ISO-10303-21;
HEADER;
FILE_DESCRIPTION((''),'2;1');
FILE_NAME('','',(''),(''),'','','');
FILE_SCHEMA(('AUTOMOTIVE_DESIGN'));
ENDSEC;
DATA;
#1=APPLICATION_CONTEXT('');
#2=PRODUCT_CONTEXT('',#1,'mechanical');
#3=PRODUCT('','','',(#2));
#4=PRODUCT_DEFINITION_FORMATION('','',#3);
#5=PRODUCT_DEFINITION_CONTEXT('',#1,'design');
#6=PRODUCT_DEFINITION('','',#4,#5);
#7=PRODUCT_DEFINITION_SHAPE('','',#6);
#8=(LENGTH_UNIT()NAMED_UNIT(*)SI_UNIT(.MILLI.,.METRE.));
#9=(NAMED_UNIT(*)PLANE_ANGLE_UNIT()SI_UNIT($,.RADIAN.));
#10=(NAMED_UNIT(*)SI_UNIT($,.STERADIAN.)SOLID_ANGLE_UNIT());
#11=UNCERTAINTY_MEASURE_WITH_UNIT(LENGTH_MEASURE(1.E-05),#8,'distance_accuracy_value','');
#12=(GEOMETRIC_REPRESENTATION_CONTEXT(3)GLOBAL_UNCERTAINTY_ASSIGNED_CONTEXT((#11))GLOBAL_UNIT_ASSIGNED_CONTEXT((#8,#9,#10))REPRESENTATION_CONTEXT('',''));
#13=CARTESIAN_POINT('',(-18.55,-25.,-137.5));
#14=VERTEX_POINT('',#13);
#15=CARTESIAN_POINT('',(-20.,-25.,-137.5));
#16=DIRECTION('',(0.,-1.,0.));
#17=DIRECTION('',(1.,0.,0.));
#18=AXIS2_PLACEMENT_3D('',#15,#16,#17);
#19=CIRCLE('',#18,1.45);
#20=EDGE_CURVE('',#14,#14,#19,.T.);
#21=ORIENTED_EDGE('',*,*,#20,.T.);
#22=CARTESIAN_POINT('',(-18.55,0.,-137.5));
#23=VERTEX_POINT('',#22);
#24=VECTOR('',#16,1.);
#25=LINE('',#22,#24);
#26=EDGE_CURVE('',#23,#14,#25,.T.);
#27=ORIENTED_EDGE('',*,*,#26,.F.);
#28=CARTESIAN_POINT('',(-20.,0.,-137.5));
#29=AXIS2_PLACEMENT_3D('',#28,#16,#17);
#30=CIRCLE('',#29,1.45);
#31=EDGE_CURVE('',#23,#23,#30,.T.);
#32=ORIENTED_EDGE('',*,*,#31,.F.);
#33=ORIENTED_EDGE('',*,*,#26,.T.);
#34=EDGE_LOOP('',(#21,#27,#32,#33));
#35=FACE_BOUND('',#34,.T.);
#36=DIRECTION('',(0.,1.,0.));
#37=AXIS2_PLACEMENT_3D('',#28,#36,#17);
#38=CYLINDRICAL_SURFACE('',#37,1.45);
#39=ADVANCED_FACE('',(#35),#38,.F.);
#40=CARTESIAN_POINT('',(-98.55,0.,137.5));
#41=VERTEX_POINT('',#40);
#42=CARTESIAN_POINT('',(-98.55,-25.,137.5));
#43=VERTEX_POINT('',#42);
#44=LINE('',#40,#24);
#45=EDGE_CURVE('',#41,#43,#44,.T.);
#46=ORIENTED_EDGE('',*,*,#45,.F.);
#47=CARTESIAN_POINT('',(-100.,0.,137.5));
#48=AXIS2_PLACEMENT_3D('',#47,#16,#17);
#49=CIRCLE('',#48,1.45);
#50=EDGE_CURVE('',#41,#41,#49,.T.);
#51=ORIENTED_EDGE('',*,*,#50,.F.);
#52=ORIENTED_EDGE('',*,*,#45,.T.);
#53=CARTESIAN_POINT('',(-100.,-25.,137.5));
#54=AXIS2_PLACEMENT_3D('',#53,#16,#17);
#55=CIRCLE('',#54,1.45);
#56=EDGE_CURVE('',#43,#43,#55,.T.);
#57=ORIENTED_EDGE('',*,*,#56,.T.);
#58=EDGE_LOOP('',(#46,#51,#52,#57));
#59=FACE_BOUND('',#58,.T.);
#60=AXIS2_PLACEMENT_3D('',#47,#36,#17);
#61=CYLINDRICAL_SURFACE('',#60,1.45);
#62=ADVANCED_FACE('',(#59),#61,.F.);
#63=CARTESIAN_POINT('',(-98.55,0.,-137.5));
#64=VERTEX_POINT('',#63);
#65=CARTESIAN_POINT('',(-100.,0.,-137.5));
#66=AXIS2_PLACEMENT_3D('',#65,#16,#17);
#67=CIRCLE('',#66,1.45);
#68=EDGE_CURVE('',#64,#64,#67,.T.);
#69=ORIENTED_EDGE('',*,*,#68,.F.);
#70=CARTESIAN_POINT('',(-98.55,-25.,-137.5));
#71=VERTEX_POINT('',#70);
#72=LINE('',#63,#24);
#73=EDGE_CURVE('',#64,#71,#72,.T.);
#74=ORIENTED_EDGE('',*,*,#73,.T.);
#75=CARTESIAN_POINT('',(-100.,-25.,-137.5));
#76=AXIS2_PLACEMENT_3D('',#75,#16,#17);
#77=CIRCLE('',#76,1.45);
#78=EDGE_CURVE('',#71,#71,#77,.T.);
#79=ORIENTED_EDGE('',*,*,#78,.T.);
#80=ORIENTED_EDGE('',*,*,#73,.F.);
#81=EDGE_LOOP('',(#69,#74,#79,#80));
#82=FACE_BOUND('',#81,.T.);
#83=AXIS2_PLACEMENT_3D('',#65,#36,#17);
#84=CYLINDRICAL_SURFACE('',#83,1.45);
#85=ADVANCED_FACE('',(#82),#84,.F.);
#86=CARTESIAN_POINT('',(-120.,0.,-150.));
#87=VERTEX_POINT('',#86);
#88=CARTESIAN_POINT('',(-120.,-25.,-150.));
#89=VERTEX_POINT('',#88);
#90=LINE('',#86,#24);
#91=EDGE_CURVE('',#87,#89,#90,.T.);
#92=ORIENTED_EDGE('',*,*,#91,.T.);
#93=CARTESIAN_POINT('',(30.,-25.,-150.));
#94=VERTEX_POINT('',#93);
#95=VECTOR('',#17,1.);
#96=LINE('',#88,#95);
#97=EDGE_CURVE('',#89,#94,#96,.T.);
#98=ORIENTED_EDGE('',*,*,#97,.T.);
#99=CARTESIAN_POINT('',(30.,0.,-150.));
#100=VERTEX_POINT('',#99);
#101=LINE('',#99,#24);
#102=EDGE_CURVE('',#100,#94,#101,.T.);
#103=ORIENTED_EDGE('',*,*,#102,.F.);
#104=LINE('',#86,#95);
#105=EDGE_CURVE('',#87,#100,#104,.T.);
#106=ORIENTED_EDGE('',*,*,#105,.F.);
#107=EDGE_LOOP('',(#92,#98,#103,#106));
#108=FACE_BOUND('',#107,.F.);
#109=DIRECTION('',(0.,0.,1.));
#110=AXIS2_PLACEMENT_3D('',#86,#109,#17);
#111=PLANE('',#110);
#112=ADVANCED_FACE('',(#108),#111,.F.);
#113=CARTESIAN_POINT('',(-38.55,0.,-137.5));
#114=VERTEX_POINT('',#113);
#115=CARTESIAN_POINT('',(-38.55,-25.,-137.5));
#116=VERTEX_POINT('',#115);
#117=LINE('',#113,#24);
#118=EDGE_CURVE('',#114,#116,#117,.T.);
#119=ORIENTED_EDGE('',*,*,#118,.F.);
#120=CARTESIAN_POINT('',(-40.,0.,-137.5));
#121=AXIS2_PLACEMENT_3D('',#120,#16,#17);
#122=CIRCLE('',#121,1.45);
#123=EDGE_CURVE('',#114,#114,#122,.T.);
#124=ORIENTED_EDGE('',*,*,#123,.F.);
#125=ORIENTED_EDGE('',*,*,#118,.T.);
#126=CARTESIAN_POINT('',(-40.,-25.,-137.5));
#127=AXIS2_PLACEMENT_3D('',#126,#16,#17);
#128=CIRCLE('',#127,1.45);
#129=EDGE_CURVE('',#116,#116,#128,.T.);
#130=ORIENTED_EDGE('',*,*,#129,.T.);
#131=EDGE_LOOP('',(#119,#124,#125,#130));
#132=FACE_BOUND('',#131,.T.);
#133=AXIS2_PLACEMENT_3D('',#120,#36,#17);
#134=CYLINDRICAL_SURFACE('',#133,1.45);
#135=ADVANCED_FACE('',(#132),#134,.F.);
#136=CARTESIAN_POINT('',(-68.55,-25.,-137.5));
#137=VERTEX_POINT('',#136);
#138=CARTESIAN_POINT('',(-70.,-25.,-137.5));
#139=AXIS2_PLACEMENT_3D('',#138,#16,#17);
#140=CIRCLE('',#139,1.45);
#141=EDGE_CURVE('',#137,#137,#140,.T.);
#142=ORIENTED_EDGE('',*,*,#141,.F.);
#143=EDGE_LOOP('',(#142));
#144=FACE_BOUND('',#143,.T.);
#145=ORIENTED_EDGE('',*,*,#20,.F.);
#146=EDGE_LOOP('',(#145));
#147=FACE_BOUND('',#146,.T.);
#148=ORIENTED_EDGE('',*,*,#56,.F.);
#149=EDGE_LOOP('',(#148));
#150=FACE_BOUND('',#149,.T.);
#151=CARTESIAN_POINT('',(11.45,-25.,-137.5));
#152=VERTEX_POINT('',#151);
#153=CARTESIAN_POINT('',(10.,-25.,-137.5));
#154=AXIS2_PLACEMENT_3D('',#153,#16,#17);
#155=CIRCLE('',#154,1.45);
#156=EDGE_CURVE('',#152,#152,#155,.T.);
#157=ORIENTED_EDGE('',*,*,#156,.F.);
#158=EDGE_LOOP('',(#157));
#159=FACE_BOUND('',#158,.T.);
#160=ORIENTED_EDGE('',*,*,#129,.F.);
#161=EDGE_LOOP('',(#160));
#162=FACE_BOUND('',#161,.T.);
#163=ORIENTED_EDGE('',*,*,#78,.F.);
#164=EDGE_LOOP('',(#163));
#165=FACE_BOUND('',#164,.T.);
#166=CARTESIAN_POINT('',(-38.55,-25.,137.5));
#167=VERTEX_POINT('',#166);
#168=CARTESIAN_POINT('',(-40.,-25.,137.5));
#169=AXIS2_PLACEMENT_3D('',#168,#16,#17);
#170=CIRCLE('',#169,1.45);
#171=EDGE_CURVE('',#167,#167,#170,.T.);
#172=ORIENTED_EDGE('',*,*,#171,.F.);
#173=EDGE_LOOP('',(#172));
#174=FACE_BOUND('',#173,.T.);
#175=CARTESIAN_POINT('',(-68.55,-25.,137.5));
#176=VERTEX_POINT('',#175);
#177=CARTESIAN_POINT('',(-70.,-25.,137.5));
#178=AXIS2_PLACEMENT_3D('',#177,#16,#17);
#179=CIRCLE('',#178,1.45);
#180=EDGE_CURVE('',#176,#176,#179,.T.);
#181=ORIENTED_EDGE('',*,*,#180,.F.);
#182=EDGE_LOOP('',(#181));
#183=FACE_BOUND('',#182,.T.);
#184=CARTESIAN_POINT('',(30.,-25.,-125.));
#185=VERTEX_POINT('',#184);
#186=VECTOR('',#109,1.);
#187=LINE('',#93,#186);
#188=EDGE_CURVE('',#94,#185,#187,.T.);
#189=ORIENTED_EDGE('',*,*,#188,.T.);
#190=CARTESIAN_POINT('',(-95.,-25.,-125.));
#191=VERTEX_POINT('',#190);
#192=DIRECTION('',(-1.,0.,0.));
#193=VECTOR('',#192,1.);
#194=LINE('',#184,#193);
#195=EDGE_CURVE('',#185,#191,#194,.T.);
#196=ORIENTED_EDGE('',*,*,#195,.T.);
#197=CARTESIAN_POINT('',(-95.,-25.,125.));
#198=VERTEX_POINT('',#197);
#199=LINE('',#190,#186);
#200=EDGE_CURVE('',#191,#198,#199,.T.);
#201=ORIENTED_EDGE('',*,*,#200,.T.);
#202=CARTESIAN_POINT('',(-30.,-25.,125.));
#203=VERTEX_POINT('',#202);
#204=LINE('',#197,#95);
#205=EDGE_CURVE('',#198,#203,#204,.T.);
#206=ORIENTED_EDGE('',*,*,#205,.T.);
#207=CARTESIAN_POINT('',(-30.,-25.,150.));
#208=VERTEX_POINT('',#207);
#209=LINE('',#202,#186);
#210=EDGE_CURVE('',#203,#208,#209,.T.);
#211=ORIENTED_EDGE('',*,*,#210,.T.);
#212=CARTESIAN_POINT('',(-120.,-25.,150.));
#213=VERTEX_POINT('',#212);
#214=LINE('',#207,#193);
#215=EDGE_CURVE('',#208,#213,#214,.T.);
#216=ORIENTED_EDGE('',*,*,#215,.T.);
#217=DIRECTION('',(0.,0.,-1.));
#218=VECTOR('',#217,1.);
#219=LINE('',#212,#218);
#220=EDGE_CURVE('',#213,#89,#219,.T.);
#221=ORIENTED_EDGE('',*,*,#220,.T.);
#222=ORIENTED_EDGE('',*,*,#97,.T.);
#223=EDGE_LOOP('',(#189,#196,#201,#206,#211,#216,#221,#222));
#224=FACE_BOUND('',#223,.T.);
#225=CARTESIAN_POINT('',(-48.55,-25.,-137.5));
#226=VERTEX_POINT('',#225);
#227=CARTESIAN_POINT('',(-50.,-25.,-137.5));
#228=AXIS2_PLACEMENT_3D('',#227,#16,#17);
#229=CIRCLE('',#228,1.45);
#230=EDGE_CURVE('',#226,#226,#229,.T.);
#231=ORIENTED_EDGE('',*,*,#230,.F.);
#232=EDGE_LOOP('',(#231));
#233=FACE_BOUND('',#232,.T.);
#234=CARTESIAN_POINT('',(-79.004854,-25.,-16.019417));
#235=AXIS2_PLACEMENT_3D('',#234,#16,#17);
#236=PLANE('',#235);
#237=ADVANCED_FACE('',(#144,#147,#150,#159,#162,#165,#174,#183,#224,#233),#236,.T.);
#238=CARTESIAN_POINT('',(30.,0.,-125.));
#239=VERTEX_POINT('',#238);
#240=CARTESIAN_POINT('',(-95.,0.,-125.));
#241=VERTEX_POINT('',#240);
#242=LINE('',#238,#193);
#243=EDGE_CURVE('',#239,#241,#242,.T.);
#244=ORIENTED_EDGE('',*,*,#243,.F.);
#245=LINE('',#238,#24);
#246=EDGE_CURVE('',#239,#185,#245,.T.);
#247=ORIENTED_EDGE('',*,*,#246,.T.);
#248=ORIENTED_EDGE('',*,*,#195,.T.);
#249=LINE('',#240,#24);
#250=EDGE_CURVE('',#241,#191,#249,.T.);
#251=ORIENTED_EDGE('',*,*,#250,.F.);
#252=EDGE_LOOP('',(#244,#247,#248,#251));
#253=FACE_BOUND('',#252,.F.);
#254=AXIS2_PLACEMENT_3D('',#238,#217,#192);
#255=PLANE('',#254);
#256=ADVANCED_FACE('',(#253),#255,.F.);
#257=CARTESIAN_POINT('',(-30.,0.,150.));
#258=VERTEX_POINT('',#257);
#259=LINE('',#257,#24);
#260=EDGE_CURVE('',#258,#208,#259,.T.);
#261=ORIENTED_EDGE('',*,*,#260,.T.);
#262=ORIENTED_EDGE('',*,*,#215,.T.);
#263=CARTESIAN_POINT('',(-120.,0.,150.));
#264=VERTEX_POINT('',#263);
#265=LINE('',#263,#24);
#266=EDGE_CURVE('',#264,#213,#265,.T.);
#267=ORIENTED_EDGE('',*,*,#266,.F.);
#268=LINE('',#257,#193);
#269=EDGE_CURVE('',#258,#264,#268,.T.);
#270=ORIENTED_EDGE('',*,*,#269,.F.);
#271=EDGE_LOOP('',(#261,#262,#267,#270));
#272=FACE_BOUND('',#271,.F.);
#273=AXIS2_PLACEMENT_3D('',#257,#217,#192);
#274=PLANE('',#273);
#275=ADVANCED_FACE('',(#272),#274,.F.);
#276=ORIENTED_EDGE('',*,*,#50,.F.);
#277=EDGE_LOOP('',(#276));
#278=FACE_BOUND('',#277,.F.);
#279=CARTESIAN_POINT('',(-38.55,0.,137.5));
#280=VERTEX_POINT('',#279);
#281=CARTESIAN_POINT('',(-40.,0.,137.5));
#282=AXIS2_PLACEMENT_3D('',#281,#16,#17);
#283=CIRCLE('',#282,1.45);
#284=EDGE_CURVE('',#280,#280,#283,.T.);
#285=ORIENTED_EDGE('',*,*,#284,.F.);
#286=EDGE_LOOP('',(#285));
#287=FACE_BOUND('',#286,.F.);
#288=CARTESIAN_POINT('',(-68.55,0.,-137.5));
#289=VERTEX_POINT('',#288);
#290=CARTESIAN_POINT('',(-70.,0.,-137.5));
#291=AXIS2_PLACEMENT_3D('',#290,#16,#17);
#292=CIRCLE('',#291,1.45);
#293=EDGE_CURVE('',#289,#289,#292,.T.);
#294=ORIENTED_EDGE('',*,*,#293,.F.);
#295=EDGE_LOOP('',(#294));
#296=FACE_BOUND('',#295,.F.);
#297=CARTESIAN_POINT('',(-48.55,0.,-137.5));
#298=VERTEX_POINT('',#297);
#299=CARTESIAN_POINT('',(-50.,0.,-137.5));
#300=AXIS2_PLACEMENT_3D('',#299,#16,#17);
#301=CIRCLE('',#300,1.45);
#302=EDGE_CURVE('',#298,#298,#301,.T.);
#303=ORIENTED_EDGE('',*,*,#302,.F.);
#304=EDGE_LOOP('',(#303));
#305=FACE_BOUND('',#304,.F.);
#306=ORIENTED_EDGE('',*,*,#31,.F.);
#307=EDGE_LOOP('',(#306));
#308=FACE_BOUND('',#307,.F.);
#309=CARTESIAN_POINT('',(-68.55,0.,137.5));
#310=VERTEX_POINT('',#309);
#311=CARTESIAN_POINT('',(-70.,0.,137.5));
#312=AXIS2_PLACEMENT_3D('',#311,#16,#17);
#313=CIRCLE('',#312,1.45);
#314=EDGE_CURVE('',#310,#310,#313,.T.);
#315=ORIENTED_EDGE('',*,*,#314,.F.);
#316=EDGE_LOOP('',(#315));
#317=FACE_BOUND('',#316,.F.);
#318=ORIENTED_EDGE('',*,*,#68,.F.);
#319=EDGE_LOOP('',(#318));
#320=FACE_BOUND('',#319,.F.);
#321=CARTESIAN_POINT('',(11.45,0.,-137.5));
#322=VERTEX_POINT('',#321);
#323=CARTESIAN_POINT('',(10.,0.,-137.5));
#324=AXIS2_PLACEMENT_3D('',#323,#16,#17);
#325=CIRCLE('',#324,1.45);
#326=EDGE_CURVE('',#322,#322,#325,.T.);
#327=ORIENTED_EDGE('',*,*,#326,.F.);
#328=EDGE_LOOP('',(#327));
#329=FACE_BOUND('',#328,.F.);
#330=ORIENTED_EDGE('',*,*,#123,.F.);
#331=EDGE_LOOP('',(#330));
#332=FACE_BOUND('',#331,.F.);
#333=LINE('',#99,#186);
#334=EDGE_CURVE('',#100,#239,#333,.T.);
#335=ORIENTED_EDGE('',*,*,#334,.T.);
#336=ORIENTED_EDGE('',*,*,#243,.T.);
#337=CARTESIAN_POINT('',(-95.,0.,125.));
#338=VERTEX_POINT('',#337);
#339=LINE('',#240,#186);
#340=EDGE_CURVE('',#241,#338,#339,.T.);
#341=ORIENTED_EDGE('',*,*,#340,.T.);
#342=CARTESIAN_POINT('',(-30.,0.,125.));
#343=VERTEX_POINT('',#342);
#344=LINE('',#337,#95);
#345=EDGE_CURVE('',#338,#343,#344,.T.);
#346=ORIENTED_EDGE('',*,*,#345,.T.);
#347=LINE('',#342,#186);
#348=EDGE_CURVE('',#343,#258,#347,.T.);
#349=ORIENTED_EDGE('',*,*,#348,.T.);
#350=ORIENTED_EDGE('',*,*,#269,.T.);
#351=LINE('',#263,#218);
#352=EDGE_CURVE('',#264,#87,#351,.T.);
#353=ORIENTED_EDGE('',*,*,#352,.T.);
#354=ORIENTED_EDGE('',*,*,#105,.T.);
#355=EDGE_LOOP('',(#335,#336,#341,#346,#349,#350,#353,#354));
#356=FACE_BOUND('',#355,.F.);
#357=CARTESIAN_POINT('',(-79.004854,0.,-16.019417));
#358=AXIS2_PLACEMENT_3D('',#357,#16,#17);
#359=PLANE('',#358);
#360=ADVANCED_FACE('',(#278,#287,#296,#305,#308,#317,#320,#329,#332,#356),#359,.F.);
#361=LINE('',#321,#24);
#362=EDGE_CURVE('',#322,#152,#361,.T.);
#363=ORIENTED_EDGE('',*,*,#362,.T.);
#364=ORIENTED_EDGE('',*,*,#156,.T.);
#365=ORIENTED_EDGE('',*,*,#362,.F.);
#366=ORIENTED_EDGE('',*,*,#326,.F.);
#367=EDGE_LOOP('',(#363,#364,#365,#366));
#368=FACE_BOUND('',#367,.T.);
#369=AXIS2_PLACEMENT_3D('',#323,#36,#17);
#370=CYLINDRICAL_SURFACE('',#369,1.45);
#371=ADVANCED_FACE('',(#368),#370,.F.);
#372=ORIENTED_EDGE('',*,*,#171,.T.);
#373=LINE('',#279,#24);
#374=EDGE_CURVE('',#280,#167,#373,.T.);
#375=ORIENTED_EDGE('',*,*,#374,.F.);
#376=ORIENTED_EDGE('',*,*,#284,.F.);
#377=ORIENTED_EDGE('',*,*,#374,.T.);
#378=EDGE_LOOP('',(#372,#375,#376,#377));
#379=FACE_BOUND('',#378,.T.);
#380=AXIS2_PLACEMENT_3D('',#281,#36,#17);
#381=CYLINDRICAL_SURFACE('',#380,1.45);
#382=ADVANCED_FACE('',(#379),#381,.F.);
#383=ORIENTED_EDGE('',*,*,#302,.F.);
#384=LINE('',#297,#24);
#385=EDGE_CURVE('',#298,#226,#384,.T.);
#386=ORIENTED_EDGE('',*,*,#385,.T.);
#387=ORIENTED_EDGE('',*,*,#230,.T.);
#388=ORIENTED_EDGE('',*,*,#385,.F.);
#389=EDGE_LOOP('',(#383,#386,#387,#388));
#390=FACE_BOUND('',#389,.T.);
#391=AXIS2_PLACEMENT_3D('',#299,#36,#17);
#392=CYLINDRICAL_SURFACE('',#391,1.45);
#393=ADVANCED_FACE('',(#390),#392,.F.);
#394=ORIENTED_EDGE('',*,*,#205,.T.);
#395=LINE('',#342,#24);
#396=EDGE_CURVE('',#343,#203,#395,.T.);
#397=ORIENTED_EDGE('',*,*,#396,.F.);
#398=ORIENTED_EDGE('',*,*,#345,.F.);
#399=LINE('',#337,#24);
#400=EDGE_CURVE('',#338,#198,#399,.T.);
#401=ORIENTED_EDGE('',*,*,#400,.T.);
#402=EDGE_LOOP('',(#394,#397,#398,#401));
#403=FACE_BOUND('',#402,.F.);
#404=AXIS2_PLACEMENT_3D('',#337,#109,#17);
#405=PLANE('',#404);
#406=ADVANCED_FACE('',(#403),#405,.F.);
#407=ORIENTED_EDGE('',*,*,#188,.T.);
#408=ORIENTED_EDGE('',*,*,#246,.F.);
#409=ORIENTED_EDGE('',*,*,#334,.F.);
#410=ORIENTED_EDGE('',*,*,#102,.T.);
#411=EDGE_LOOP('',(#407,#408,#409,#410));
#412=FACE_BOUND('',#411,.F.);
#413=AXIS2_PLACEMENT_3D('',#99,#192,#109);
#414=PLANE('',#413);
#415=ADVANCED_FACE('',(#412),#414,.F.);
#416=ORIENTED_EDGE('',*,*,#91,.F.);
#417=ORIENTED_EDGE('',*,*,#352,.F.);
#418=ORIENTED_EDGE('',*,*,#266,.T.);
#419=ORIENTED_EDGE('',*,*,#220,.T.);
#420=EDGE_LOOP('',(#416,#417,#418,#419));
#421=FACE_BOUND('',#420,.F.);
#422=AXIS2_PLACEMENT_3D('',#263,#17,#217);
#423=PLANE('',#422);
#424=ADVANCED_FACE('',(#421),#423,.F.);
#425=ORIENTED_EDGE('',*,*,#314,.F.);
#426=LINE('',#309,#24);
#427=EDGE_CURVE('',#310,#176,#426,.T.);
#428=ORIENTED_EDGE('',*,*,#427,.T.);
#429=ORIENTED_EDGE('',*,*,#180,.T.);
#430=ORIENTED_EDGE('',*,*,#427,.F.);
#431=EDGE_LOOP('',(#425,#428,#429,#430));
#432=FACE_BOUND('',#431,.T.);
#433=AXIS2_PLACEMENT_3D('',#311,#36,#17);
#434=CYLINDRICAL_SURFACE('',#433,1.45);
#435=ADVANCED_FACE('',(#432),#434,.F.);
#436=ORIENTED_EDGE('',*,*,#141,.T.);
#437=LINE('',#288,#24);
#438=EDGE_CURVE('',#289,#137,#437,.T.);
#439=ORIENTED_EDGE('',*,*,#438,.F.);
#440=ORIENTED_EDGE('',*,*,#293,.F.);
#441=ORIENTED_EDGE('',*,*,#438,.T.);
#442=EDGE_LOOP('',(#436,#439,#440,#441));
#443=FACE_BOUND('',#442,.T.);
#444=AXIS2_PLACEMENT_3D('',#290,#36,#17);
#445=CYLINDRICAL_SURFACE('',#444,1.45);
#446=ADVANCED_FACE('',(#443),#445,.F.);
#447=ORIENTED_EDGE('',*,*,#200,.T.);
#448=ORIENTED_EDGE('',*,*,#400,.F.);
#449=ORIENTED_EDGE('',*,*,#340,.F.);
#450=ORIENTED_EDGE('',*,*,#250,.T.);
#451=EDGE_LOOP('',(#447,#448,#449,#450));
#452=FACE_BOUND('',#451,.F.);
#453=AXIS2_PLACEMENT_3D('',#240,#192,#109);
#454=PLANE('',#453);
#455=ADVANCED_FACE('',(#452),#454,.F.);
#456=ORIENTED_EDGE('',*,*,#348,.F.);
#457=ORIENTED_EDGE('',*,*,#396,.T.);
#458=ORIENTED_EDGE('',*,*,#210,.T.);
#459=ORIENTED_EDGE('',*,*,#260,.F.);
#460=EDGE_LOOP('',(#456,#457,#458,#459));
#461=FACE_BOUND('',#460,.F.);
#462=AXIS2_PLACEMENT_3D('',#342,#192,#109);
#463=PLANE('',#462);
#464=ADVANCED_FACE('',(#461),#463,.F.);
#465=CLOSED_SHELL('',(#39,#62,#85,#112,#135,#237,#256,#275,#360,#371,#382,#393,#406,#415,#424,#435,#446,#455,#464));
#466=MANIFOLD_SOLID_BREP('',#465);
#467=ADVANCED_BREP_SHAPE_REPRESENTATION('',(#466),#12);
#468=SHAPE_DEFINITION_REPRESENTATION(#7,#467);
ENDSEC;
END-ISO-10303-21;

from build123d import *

# Parameters (mm, degrees)
F0_R     = 1.45
F1_DEPTH = 25


with BuildPart() as f1:
    # F0 (on Front) → F1 (new body)
    with BuildSketch(Plane.XZ):
        Polygon((-30, 150), (-120, 150), (-120, -150), (30, -150), (30, -125), (-95, -125), (-95, 125), (-30, 125), align=None)
        with Locations((-100, -137.5)):
            Circle(F0_R, mode=Mode.SUBTRACT)
        with Locations((-70, -137.5)):
            Circle(F0_R, mode=Mode.SUBTRACT)
        with Locations((-50, -137.5)):
            Circle(F0_R, mode=Mode.SUBTRACT)
        with Locations((-40, -137.5)):
            Circle(F0_R, mode=Mode.SUBTRACT)
        with Locations((-20, -137.5)):
            Circle(F0_R, mode=Mode.SUBTRACT)
        with Locations((10, -137.5)):
            Circle(F0_R, mode=Mode.SUBTRACT)
        with Locations((-100, 137.5)):
            Circle(F0_R, mode=Mode.SUBTRACT)
        with Locations((-70, 137.5)):
            Circle(F0_R, mode=Mode.SUBTRACT)
        with Locations((-40, 137.5)):
            Circle(F0_R, mode=Mode.SUBTRACT)
    extrude(amount=F1_DEPTH)


solid = f1.part
